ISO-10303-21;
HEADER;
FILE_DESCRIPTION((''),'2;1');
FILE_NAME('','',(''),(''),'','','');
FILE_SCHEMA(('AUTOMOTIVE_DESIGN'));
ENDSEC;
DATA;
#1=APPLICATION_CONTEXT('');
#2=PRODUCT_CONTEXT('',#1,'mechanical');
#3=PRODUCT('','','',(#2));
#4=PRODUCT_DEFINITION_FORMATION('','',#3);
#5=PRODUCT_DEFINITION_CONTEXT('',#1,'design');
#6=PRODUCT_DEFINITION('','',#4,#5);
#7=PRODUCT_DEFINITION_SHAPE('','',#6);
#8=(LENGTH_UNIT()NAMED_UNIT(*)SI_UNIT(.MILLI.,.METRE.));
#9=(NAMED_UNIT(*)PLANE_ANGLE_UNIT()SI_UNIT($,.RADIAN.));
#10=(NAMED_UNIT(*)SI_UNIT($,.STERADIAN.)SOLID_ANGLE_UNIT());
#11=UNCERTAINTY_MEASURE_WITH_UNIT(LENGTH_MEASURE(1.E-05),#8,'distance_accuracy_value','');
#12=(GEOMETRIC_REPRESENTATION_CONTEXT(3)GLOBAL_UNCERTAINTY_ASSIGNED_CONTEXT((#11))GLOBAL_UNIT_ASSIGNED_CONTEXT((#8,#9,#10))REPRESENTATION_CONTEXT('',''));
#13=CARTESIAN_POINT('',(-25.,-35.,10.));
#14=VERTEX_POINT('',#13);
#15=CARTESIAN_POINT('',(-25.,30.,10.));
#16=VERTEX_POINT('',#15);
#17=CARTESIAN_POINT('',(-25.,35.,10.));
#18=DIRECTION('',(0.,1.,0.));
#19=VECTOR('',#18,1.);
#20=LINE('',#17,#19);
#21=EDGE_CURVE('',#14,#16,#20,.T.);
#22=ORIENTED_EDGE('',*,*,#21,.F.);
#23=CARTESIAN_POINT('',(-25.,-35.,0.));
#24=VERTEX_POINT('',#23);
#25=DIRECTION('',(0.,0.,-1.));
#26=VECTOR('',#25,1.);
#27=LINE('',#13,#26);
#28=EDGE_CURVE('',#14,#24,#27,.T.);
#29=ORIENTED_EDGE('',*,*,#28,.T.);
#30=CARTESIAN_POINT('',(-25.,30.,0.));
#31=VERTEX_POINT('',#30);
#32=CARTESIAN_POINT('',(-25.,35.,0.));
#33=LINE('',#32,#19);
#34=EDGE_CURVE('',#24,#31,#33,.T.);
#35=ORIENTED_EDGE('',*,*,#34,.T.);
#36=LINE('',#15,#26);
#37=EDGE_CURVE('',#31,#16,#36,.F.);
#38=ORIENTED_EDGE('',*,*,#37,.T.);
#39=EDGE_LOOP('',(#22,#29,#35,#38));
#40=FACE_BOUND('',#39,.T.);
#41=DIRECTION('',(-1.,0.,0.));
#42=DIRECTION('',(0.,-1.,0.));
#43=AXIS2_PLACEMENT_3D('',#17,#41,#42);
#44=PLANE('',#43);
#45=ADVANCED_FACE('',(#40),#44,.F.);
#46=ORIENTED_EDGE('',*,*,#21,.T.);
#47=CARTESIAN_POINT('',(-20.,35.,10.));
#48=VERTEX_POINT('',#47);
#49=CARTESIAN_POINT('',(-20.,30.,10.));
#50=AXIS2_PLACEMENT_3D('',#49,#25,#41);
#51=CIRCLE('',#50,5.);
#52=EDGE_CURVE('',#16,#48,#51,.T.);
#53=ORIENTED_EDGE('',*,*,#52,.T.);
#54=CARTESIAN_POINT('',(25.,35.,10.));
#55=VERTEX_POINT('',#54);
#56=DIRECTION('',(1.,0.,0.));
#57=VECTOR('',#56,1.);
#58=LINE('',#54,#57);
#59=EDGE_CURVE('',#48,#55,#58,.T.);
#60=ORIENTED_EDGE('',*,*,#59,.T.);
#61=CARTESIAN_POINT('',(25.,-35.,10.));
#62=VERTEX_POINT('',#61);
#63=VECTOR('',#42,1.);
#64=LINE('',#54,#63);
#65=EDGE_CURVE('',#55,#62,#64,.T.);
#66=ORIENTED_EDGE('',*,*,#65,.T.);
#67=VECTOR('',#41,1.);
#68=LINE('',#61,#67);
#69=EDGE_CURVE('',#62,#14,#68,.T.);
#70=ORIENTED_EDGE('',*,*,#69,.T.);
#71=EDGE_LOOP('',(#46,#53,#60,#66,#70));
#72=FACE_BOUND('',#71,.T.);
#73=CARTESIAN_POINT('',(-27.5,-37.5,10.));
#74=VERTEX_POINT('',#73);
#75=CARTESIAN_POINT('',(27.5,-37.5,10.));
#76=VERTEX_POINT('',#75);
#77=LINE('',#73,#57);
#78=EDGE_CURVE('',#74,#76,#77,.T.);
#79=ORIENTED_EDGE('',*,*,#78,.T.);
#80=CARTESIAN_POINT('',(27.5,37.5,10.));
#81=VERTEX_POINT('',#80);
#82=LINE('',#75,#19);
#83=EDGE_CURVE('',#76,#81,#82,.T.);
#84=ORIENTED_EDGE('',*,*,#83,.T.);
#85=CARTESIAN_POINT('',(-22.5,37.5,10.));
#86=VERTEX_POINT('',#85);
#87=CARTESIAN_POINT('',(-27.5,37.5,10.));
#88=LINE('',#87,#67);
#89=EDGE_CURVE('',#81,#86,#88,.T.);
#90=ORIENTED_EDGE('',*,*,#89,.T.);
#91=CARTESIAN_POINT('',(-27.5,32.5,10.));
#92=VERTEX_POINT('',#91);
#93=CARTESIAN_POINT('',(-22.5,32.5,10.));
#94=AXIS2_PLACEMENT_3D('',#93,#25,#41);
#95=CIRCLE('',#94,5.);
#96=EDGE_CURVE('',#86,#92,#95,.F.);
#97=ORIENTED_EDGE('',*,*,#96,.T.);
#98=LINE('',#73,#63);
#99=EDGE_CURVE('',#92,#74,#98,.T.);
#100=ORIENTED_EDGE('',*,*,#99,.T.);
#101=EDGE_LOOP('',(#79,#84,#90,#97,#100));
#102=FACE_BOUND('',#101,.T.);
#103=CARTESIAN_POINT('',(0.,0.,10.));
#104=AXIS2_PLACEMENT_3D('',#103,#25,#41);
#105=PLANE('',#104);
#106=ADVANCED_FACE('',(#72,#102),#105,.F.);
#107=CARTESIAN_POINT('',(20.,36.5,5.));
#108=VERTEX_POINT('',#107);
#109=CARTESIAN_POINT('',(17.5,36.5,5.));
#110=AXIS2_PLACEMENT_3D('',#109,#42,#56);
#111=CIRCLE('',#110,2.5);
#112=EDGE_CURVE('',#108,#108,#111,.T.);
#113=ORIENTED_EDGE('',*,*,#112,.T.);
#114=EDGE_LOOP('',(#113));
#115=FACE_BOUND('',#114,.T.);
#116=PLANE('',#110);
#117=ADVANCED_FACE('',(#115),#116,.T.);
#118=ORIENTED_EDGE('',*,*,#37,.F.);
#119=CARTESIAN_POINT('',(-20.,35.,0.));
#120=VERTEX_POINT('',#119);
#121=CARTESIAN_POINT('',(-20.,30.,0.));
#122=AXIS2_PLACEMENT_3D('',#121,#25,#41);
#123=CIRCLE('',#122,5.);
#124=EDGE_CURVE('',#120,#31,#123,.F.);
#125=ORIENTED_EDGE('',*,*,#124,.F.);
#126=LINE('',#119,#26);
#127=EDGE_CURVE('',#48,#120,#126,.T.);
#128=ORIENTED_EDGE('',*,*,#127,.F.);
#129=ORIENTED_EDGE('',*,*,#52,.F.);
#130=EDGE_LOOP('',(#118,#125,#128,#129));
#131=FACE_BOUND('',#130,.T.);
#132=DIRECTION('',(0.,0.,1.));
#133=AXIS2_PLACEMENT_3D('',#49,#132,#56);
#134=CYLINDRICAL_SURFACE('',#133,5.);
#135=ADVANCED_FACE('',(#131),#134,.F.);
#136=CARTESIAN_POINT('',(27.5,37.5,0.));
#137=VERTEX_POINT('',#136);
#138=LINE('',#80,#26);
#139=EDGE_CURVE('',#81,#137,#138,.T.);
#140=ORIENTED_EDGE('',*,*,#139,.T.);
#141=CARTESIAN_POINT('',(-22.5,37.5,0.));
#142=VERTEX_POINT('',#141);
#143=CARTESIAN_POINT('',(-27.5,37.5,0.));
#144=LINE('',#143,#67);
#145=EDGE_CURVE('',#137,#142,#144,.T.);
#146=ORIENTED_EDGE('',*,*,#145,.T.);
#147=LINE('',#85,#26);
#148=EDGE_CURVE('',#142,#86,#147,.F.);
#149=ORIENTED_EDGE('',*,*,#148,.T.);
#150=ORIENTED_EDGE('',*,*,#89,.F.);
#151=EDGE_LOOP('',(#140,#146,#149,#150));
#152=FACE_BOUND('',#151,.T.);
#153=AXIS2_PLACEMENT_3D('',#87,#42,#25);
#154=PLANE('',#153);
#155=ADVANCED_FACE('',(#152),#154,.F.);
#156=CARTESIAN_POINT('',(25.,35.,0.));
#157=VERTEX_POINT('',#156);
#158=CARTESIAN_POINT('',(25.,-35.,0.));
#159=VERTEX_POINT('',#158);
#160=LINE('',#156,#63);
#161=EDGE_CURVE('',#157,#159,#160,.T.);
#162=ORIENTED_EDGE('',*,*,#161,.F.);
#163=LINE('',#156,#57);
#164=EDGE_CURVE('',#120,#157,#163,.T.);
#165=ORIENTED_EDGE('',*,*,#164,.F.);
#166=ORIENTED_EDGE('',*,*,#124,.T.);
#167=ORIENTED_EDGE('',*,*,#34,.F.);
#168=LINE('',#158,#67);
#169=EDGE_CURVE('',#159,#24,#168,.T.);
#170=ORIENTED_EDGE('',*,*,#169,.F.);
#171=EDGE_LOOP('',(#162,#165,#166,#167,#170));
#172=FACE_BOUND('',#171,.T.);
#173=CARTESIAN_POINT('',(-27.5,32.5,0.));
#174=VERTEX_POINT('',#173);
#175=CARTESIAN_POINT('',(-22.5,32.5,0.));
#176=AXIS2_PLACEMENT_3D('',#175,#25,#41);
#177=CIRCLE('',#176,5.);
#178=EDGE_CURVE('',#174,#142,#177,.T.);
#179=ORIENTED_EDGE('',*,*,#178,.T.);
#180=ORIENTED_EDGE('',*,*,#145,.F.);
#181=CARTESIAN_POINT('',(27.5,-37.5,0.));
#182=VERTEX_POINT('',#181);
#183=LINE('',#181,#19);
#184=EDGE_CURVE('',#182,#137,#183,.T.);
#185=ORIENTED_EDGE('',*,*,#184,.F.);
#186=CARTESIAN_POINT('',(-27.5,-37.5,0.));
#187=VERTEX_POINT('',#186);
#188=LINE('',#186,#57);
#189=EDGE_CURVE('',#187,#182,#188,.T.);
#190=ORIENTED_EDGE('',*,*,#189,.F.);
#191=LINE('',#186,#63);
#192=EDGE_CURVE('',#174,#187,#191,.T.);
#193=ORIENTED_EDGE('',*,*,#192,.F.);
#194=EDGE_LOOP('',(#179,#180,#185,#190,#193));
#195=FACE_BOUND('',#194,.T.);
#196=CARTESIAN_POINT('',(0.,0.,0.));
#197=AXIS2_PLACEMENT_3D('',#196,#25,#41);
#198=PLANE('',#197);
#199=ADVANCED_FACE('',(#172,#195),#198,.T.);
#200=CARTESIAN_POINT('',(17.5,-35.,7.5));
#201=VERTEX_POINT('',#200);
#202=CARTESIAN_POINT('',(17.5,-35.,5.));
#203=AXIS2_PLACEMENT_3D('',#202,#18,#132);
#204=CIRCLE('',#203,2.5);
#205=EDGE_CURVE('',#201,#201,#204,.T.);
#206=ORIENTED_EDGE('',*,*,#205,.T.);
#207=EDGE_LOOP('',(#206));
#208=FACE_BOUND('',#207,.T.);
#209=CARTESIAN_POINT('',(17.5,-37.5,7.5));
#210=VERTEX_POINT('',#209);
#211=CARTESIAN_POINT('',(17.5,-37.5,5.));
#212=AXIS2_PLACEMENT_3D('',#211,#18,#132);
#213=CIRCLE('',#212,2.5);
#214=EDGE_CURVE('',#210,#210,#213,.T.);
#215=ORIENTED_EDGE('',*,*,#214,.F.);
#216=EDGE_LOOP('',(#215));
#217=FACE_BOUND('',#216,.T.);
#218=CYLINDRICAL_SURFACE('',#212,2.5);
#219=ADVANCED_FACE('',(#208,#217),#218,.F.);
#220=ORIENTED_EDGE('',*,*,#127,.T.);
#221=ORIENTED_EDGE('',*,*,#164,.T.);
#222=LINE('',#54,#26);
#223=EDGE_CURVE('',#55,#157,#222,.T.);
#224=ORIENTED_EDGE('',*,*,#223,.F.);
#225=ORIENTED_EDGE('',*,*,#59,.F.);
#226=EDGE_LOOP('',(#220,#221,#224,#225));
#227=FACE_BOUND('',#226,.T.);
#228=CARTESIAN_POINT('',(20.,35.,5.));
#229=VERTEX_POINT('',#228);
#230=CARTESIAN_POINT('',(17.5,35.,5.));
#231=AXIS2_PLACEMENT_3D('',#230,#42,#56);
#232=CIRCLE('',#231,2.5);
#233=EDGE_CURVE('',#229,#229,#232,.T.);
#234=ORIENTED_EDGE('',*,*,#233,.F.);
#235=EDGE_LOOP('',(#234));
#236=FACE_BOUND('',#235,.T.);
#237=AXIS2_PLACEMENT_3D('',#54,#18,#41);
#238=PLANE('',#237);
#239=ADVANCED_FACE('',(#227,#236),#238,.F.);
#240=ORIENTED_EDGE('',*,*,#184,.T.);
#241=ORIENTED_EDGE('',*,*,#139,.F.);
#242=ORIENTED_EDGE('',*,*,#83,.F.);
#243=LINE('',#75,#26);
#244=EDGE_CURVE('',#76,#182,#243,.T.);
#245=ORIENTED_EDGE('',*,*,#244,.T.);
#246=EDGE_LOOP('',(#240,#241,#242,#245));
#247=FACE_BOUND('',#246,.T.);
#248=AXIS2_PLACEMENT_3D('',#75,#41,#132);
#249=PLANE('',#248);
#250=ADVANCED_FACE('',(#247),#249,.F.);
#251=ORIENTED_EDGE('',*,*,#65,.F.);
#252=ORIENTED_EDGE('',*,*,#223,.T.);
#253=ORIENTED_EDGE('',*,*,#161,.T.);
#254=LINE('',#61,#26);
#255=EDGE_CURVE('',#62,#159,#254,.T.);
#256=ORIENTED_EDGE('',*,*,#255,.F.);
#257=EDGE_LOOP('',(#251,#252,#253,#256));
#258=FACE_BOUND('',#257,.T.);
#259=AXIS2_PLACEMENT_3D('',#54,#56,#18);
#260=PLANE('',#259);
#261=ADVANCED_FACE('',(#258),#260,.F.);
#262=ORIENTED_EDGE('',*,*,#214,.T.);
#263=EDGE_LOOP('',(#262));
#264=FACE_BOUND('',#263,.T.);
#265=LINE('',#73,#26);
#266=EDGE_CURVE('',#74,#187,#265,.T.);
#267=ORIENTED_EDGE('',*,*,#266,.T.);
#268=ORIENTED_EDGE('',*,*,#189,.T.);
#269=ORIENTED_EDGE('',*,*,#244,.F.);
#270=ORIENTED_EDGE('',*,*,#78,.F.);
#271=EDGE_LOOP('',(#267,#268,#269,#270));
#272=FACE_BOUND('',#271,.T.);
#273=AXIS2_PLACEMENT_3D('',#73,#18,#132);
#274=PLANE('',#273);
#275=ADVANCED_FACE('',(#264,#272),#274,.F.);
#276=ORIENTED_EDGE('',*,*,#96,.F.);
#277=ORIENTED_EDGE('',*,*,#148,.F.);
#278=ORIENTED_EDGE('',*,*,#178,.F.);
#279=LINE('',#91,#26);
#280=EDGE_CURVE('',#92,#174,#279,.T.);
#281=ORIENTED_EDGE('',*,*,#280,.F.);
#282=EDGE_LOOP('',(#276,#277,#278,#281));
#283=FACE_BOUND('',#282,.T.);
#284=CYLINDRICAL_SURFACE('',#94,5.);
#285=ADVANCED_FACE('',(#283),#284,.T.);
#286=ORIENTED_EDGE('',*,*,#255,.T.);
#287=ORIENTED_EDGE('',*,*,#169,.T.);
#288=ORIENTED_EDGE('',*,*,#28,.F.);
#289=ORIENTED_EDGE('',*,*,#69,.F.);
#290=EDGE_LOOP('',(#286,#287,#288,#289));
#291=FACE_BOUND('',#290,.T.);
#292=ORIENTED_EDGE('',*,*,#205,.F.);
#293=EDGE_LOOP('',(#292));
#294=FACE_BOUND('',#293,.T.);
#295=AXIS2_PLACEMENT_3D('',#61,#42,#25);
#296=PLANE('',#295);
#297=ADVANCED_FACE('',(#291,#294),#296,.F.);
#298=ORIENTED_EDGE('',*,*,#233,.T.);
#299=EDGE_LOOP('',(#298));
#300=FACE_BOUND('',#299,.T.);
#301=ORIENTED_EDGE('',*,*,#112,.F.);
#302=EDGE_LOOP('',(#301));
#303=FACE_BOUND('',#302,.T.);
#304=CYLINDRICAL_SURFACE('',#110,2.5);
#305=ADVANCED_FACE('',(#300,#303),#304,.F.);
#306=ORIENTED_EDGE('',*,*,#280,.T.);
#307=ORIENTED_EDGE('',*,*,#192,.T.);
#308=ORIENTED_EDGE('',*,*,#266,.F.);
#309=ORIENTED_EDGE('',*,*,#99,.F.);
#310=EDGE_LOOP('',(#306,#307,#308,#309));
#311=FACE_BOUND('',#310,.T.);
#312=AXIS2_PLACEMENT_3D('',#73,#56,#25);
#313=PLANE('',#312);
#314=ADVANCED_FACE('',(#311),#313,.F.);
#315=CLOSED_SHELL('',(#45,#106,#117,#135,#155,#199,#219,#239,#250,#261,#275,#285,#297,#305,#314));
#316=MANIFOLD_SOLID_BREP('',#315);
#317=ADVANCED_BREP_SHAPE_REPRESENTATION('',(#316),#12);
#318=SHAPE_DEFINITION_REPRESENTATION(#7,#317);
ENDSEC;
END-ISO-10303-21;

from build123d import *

# Parameters (mm, degrees)
SKETCH_1_W          = 55
SKETCH_1_H          = 75
EXTRUDE_1_DEPTH     = 10
SKETCH_3_W          = 50
SKETCH_3_H          = 70
CUT_EXTRUDE_1_DEPTH = 48.565743976
FILLET_2_R          = 5
SKETCH_4_R          = 2.5
CUT_EXTRUDE_2_DEPTH = 1.5
SKETCH_5_R          = 2.5
CUT_EXTRUDE_3_DEPTH = 79.182478856


with BuildPart() as part:
    # 草图1 → 凸台-拉伸1 (new body)
    with BuildSketch(Plane.XY):
        Rectangle(SKETCH_1_W, SKETCH_1_H)
    extrude(amount=EXTRUDE_1_DEPTH)

    # 草图3 → 切除-拉伸1 (cut, through all)
    with BuildSketch(Plane(origin=(0, 0, 0), x_dir=(-1, 0, 0), z_dir=(0, 0, -1))):
        Rectangle(SKETCH_3_W, SKETCH_3_H)
    extrude(amount=-CUT_EXTRUDE_1_DEPTH, mode=Mode.SUBTRACT)

    # 圆角2
    fillet_2_edges = [part.edges().sort_by_distance(p)[0] for p in [
        (-25, 35, 5),
        (-27.5, 37.5, 5),
    ]]
    fillet(fillet_2_edges, radius=FILLET_2_R)

    # 草图4 → 切除-拉伸2 (cut)
    with BuildSketch(Plane.XZ.offset(-35)):
        with Locations((17.5, 5)):
            Circle(SKETCH_4_R)
    extrude(amount=-CUT_EXTRUDE_2_DEPTH, mode=Mode.SUBTRACT)

    # 草图5 → 切除-拉伸3 (cut, through all)
    with BuildSketch(Plane(origin=(0, -35, 0), x_dir=(1, 0, 0), z_dir=(0, 1, 0))):
        with Locations((17.5, -5)):
            Circle(SKETCH_5_R)
    extrude(amount=-CUT_EXTRUDE_3_DEPTH, mode=Mode.SUBTRACT)


solid = part.part
